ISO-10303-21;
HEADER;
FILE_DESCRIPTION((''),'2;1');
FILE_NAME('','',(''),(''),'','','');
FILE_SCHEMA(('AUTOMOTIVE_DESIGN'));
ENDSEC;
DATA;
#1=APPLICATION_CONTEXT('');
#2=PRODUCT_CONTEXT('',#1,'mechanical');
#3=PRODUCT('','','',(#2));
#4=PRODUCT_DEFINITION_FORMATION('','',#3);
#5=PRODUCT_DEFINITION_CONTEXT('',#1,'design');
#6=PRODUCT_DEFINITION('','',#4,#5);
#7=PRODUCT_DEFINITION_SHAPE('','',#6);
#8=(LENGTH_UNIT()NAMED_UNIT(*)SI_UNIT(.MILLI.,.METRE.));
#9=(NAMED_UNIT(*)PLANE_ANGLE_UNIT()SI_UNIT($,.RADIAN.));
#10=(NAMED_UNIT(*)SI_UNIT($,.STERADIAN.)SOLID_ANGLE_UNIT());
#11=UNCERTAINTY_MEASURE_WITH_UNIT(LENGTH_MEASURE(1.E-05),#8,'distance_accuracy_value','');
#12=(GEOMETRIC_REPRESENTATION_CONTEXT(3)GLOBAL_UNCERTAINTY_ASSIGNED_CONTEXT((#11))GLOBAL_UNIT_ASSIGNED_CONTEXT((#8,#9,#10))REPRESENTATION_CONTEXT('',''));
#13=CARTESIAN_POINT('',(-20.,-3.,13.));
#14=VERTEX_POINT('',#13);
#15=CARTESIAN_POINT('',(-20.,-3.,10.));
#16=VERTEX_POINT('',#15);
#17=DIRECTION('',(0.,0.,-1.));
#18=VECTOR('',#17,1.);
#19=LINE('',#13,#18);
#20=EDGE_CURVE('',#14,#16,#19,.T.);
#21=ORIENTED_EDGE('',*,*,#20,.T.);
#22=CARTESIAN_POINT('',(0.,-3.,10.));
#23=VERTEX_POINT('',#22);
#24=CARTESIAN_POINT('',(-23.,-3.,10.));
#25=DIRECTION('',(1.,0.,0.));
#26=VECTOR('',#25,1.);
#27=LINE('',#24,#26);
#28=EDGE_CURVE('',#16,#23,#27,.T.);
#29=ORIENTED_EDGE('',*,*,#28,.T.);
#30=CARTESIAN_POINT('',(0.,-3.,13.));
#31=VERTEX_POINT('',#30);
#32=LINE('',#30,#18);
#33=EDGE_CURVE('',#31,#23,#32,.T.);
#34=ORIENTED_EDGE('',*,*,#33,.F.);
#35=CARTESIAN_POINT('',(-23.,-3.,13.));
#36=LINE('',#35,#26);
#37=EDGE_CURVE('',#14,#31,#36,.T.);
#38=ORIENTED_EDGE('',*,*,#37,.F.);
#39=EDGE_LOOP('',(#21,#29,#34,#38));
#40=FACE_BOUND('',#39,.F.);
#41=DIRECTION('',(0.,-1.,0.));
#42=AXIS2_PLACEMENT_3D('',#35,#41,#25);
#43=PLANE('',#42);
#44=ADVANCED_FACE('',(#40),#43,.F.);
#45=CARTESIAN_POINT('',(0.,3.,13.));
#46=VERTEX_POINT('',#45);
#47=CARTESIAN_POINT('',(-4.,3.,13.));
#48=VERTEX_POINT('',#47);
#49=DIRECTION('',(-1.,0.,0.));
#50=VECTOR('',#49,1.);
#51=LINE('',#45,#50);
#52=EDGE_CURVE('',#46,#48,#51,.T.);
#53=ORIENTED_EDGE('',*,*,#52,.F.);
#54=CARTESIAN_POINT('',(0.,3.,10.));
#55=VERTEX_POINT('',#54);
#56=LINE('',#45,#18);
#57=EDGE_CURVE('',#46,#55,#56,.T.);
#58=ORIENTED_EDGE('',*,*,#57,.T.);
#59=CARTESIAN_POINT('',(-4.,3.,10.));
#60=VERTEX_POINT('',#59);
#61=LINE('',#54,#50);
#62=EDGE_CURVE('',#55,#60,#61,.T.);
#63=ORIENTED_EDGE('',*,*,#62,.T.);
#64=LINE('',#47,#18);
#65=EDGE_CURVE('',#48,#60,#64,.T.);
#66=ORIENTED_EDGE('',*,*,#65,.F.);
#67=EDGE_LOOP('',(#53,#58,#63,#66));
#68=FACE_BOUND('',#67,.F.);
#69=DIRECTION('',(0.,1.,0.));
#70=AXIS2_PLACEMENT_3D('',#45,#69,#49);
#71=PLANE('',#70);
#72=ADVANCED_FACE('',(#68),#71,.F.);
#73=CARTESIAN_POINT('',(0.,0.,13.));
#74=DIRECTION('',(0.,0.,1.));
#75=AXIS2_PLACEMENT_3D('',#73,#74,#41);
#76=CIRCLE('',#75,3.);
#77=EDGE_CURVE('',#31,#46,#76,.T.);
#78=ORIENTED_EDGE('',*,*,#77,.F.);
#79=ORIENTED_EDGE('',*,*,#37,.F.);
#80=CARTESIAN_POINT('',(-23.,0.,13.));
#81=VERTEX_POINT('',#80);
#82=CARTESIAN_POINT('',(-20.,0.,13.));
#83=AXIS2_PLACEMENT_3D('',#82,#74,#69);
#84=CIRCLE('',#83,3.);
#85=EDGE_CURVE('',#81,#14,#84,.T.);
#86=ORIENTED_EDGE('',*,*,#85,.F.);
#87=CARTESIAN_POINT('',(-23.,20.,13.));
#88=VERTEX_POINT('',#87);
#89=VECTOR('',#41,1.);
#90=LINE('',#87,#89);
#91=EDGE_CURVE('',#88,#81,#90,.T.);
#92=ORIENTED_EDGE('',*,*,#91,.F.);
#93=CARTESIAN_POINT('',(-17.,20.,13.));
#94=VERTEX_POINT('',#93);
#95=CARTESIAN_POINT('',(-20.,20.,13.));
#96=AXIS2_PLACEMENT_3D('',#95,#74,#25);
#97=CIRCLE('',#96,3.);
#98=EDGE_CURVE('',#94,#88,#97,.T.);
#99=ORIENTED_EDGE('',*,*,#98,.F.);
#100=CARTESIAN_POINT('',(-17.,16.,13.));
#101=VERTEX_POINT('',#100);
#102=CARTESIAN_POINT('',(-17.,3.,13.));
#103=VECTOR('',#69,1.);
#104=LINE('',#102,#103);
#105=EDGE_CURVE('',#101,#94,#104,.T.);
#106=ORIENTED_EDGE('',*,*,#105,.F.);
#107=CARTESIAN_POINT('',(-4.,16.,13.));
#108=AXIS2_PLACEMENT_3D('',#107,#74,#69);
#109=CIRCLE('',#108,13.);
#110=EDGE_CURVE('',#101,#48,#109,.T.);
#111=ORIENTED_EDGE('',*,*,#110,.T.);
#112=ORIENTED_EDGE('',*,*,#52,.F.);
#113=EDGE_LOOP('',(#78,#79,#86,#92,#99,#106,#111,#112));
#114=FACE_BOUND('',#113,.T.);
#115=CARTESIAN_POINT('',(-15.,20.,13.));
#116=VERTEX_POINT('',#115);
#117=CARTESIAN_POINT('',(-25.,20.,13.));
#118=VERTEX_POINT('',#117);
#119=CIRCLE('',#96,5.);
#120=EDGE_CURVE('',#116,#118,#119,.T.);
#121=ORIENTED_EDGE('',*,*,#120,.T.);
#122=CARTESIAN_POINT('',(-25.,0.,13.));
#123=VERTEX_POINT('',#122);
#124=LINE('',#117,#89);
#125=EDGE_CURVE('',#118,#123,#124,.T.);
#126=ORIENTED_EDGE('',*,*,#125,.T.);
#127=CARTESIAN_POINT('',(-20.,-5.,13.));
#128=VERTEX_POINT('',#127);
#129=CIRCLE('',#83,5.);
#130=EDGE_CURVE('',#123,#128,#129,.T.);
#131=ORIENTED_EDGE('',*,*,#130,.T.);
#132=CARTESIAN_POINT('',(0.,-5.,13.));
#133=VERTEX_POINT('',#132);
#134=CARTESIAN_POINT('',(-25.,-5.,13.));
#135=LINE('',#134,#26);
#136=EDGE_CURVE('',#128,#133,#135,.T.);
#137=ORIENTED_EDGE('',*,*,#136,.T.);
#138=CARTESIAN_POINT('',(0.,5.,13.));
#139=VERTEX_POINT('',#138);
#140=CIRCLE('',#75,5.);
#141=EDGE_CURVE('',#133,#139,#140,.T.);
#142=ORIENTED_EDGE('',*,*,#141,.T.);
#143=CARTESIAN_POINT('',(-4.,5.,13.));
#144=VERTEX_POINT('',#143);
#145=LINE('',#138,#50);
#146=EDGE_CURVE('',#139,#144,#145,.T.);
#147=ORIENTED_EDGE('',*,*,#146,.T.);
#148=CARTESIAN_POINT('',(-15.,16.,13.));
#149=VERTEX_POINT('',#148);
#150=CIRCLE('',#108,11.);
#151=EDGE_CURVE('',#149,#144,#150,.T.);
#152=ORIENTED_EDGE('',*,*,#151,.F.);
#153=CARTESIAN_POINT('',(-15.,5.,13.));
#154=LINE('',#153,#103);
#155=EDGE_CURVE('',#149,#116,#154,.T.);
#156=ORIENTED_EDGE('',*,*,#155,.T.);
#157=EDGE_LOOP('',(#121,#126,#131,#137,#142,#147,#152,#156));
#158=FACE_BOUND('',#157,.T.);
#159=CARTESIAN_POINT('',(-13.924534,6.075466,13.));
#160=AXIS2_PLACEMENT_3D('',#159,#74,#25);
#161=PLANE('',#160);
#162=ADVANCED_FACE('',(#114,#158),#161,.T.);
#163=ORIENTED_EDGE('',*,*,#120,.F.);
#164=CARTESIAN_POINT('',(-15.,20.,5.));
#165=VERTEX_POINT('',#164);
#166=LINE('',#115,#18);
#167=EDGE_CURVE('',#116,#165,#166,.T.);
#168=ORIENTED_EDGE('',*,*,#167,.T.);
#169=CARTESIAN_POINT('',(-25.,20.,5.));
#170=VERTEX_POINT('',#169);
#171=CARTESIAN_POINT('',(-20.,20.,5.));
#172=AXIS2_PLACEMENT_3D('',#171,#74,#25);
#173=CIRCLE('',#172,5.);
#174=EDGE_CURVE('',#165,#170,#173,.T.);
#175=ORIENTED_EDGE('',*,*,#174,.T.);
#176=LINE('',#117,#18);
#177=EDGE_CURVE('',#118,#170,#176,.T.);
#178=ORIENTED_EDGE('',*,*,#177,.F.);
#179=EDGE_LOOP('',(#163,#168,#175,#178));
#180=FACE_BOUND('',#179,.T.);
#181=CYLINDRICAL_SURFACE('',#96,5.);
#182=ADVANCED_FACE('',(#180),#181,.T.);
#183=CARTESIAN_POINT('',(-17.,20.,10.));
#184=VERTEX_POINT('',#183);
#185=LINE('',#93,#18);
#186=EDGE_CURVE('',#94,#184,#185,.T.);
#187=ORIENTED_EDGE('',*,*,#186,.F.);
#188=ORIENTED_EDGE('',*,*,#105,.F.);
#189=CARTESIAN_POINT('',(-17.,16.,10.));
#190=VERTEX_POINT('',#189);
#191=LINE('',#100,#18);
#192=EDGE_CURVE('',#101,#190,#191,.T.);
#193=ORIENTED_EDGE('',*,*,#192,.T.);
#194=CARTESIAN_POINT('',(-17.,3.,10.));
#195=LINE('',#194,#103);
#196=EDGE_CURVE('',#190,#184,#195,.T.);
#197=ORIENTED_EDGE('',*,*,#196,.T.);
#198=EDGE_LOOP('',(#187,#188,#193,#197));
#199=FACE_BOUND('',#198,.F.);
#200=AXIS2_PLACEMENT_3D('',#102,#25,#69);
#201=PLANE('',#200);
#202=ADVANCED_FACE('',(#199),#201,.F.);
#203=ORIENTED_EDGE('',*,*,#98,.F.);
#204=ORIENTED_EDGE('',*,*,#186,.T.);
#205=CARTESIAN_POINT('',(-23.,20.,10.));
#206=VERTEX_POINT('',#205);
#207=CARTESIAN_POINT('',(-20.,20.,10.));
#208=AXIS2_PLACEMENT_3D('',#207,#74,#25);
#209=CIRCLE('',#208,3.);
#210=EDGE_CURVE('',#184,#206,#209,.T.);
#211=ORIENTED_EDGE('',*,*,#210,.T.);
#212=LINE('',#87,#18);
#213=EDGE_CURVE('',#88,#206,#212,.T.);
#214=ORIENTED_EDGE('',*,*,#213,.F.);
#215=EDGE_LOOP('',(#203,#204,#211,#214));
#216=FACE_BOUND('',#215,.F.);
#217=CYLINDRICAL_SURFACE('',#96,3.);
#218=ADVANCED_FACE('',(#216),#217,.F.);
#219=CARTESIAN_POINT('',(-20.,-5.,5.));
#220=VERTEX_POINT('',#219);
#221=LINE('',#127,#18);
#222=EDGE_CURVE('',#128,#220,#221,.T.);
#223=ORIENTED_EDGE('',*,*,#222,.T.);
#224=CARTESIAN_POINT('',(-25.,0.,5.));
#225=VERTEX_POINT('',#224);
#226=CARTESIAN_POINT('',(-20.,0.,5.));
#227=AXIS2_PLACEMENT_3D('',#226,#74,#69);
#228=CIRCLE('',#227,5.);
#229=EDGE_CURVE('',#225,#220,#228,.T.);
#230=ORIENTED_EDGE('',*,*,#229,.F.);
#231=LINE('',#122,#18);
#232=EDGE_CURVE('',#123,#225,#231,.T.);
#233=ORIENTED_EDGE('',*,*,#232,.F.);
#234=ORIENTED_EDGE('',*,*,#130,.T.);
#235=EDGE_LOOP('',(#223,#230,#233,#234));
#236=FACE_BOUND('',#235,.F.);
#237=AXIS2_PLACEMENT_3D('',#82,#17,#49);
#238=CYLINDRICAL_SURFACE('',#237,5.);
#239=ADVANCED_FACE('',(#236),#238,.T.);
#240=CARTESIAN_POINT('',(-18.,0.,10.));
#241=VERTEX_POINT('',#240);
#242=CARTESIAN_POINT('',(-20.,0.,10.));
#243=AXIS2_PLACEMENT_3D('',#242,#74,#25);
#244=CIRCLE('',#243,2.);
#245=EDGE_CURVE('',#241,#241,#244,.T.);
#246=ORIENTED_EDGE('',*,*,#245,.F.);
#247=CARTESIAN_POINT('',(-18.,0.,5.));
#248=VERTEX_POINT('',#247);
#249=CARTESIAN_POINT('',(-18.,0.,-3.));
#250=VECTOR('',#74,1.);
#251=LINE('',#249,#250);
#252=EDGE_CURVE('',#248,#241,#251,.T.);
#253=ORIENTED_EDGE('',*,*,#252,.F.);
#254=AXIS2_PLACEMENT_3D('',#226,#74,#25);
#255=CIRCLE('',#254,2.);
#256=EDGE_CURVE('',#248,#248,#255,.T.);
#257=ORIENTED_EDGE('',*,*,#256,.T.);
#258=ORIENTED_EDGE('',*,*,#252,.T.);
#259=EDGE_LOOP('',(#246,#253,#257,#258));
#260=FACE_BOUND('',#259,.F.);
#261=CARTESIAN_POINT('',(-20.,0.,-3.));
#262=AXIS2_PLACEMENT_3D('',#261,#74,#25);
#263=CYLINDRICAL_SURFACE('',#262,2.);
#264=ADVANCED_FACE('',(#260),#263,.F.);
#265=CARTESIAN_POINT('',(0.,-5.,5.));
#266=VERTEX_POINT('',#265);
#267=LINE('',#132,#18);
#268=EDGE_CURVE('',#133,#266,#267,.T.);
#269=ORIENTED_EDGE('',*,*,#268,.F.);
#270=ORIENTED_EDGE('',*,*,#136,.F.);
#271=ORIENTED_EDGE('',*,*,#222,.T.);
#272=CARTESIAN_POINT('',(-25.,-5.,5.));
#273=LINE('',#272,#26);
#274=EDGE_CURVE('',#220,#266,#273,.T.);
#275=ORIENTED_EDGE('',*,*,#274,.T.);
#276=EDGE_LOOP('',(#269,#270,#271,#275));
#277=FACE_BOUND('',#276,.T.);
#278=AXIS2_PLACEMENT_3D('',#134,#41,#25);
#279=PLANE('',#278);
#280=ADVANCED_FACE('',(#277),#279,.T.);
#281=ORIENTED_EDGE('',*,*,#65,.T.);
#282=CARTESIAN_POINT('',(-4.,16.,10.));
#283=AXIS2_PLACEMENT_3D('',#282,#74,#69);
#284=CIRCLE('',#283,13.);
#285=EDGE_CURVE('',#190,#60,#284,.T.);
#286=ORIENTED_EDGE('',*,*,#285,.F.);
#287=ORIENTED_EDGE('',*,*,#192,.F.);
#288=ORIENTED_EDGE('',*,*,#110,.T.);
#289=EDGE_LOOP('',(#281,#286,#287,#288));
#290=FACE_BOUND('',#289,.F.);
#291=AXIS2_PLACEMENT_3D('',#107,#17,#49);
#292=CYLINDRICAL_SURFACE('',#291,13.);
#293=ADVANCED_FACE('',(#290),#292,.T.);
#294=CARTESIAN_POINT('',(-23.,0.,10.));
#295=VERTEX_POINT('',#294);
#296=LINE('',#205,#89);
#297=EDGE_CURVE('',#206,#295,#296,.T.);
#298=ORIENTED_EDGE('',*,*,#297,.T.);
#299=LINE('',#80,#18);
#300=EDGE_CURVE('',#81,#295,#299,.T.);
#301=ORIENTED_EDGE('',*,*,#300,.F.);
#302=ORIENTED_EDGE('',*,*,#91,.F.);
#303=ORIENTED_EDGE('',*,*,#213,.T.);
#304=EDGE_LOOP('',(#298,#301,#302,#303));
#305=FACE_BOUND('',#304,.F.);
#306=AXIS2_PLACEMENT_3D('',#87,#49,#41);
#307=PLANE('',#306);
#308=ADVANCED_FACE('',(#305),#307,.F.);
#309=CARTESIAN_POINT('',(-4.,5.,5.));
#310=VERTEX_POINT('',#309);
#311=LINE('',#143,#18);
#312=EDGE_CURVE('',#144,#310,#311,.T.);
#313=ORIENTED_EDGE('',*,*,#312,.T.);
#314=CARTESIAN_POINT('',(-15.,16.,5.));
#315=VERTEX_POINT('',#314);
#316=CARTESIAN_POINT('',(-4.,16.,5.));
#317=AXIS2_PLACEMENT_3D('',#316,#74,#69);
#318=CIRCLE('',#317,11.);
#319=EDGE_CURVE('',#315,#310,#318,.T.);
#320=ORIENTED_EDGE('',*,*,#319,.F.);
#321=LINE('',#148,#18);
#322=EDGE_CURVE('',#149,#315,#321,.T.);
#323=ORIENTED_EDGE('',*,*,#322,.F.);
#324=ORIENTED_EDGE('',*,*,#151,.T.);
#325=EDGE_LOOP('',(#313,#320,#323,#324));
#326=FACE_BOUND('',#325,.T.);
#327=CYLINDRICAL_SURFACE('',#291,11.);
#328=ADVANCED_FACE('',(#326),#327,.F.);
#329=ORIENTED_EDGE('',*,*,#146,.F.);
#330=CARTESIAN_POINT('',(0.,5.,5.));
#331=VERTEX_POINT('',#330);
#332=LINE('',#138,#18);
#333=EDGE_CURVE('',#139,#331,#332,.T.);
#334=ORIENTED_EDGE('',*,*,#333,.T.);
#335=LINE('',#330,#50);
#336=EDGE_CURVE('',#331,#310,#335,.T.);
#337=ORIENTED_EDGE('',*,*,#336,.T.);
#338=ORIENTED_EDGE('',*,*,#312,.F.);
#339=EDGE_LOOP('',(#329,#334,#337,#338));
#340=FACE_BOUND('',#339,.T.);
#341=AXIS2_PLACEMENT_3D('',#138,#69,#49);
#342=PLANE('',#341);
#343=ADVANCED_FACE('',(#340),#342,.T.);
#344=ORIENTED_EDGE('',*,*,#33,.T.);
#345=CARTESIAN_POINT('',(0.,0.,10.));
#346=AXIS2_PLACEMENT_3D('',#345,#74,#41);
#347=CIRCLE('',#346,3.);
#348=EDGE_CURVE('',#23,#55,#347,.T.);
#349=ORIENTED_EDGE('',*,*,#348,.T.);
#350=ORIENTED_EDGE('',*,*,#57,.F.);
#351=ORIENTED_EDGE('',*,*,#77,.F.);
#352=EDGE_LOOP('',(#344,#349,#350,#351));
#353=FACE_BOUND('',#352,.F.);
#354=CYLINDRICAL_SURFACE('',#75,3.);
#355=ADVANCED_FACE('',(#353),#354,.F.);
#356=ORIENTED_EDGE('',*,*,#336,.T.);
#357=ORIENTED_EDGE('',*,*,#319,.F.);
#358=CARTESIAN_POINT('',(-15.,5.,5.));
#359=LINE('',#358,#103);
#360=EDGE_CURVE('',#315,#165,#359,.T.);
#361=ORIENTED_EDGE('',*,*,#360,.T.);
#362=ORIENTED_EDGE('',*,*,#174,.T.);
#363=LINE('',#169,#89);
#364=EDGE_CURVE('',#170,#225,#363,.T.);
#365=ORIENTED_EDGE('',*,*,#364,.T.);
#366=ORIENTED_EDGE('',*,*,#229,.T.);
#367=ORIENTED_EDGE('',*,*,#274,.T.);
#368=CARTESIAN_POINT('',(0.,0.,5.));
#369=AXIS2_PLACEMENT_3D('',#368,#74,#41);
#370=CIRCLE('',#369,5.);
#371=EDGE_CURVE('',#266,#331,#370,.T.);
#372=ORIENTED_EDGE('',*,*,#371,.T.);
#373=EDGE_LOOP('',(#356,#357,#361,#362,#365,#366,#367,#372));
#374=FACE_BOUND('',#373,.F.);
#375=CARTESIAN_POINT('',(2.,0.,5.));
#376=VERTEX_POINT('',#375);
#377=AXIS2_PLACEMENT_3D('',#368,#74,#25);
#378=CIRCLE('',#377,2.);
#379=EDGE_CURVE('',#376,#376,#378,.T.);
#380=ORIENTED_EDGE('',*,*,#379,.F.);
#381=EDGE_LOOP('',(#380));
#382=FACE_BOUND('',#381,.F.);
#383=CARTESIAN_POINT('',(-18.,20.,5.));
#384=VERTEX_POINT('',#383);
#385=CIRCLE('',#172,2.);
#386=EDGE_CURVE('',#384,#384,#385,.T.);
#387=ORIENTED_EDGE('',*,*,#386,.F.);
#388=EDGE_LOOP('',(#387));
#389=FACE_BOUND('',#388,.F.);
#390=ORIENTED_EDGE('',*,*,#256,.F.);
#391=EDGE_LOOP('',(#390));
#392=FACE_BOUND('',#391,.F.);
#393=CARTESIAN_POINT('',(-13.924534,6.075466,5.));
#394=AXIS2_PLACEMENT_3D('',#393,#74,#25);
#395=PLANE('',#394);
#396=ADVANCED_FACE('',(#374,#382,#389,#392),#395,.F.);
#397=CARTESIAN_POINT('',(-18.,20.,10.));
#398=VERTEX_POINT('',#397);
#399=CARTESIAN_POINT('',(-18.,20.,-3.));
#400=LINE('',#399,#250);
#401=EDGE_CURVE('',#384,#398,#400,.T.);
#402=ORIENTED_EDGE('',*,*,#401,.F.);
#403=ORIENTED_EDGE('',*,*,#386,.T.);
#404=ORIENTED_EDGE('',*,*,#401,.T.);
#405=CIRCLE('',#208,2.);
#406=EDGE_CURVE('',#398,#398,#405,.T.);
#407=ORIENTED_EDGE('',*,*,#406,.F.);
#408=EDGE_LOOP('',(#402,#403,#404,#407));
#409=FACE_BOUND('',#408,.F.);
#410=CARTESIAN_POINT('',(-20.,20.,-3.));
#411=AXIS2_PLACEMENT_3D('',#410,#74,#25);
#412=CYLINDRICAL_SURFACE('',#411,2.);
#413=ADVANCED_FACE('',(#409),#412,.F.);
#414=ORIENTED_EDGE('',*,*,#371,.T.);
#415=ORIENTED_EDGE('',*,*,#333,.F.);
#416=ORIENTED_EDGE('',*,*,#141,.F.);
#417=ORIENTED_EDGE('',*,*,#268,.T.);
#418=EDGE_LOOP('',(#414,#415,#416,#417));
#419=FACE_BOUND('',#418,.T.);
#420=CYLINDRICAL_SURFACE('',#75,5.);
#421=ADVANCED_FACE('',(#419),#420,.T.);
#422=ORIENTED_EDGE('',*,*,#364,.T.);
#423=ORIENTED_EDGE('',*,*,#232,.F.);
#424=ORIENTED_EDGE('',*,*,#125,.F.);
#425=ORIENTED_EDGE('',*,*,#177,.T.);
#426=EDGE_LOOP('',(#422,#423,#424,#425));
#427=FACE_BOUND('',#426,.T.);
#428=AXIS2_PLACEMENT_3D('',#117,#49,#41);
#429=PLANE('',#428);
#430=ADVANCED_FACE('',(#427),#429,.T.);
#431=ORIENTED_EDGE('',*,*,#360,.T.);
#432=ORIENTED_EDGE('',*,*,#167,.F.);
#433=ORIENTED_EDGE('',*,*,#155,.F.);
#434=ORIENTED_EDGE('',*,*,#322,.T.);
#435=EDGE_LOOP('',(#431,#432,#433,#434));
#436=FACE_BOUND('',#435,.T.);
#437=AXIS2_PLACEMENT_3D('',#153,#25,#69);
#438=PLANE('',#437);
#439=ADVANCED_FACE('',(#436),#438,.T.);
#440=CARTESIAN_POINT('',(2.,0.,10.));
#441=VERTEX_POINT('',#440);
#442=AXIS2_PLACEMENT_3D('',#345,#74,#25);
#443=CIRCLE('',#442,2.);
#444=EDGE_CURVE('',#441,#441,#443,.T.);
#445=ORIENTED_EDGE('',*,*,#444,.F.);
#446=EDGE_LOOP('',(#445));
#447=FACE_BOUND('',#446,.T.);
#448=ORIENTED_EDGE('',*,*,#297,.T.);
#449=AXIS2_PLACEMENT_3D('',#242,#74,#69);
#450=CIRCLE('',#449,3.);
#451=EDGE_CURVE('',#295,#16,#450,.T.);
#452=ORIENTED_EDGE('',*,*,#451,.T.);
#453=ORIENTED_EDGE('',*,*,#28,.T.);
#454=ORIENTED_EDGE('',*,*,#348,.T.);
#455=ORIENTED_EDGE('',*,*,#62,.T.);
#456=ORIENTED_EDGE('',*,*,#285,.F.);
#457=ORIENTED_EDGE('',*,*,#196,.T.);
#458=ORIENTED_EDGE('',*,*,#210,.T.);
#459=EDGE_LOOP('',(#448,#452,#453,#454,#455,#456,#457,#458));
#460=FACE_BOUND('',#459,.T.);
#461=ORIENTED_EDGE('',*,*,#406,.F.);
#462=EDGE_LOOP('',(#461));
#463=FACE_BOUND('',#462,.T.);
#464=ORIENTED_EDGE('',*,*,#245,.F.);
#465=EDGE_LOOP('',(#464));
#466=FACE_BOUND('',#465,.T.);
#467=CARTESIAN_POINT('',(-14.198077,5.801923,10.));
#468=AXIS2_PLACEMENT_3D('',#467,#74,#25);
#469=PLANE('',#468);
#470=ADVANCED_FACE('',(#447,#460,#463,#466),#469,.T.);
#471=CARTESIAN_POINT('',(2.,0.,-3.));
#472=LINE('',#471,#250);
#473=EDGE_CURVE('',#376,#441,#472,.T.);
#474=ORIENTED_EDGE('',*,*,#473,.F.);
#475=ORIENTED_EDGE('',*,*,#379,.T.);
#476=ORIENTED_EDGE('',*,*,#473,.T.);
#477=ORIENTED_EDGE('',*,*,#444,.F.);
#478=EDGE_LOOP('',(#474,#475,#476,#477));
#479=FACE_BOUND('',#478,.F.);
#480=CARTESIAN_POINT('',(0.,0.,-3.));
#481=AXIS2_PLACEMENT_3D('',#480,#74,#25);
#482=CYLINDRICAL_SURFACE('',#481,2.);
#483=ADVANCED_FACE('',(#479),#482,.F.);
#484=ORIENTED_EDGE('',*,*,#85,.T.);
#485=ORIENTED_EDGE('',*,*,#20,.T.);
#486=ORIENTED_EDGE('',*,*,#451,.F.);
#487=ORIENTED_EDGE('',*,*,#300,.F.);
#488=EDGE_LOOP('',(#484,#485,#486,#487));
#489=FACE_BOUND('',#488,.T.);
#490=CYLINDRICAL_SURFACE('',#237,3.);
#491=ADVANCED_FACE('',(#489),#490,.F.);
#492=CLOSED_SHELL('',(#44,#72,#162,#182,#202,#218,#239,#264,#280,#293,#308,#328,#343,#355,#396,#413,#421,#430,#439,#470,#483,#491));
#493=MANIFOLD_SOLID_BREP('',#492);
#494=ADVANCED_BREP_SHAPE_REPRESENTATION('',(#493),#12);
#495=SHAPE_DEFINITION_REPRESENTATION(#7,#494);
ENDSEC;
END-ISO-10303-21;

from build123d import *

# Parameters (mm, degrees)
BOSS_EXTRUDE1_DEPTH          = 8
CUT_EXTRUDE1_DEPTH           = 3
F_4_0_4_DIAMETER_HOLE1_D     = 4
F_4_0_4_DIAMETER_HOLE1_DEPTH = 8
FILLET1_R                    = 3
FILLET2_R                    = 5
FILLET3_R                    = 11
FILLET4_R                    = 13


with BuildPart() as part:
    # Sketch1 → Boss-Extrude1 (new body)
    with BuildSketch(Plane.XY.offset(13)):
        with BuildLine():
            Line((-15, 5), (-15, 20))
            ThreePointArc((-15, 20), (-20, 25), (-25, 20))
            Line((-25, 20), (-25, -5))
            Line((-25, -5), (0, -5))
            ThreePointArc((0, -5), (5, 0), (0, 5))
            Line((0, 5), (-15, 5))
        make_face()
    extrude(amount=-BOSS_EXTRUDE1_DEPTH)

    # Sketch2 → Cut-Extrude1 (cut)
    with BuildSketch(Plane.XY.offset(13)):
        with BuildLine():
            Line((-23, 20), (-23, -3))
            Line((-23, -3), (0, -3))
            ThreePointArc((0, -3), (3, 0), (0, 3))
            Line((0, 3), (-17, 3))
            Line((-17, 3), (-17, 20))
            ThreePointArc((-17, 20), (-20, 23), (-23, 20))
        make_face()
    extrude(amount=-CUT_EXTRUDE1_DEPTH, mode=Mode.SUBTRACT)

    # Ø4.0 (4) Diameter Hole1
    with Locations(Plane(origin=(0, 0, 5), x_dir=(-1, 0, 0), z_dir=(0, 0, -1))):
        with Locations((20, 20), (20, 0), (0, 0)):
            Hole(F_4_0_4_DIAMETER_HOLE1_D / 2, depth=F_4_0_4_DIAMETER_HOLE1_DEPTH)

    # Fillet1
    fillet1_edges = [part.edges().sort_by_distance(p)[0] for p in [
        (-23, -3, 11.5),
    ]]
    fillet(fillet1_edges, radius=FILLET1_R)

    # Fillet2
    fillet2_edges = [part.edges().sort_by_distance(p)[0] for p in [
        (-25, -5, 9),
    ]]
    fillet(fillet2_edges, radius=FILLET2_R)

    # Fillet3
    fillet3_edges = [part.edges().sort_by_distance(p)[0] for p in [
        (-15, 5, 9),
    ]]
    fillet(fillet3_edges, radius=FILLET3_R)

    # Fillet4
    fillet4_edges = [part.edges().sort_by_distance(p)[0] for p in [
        (-17, 3, 11.5),
    ]]
    fillet(fillet4_edges, radius=FILLET4_R)


solid = part.part
